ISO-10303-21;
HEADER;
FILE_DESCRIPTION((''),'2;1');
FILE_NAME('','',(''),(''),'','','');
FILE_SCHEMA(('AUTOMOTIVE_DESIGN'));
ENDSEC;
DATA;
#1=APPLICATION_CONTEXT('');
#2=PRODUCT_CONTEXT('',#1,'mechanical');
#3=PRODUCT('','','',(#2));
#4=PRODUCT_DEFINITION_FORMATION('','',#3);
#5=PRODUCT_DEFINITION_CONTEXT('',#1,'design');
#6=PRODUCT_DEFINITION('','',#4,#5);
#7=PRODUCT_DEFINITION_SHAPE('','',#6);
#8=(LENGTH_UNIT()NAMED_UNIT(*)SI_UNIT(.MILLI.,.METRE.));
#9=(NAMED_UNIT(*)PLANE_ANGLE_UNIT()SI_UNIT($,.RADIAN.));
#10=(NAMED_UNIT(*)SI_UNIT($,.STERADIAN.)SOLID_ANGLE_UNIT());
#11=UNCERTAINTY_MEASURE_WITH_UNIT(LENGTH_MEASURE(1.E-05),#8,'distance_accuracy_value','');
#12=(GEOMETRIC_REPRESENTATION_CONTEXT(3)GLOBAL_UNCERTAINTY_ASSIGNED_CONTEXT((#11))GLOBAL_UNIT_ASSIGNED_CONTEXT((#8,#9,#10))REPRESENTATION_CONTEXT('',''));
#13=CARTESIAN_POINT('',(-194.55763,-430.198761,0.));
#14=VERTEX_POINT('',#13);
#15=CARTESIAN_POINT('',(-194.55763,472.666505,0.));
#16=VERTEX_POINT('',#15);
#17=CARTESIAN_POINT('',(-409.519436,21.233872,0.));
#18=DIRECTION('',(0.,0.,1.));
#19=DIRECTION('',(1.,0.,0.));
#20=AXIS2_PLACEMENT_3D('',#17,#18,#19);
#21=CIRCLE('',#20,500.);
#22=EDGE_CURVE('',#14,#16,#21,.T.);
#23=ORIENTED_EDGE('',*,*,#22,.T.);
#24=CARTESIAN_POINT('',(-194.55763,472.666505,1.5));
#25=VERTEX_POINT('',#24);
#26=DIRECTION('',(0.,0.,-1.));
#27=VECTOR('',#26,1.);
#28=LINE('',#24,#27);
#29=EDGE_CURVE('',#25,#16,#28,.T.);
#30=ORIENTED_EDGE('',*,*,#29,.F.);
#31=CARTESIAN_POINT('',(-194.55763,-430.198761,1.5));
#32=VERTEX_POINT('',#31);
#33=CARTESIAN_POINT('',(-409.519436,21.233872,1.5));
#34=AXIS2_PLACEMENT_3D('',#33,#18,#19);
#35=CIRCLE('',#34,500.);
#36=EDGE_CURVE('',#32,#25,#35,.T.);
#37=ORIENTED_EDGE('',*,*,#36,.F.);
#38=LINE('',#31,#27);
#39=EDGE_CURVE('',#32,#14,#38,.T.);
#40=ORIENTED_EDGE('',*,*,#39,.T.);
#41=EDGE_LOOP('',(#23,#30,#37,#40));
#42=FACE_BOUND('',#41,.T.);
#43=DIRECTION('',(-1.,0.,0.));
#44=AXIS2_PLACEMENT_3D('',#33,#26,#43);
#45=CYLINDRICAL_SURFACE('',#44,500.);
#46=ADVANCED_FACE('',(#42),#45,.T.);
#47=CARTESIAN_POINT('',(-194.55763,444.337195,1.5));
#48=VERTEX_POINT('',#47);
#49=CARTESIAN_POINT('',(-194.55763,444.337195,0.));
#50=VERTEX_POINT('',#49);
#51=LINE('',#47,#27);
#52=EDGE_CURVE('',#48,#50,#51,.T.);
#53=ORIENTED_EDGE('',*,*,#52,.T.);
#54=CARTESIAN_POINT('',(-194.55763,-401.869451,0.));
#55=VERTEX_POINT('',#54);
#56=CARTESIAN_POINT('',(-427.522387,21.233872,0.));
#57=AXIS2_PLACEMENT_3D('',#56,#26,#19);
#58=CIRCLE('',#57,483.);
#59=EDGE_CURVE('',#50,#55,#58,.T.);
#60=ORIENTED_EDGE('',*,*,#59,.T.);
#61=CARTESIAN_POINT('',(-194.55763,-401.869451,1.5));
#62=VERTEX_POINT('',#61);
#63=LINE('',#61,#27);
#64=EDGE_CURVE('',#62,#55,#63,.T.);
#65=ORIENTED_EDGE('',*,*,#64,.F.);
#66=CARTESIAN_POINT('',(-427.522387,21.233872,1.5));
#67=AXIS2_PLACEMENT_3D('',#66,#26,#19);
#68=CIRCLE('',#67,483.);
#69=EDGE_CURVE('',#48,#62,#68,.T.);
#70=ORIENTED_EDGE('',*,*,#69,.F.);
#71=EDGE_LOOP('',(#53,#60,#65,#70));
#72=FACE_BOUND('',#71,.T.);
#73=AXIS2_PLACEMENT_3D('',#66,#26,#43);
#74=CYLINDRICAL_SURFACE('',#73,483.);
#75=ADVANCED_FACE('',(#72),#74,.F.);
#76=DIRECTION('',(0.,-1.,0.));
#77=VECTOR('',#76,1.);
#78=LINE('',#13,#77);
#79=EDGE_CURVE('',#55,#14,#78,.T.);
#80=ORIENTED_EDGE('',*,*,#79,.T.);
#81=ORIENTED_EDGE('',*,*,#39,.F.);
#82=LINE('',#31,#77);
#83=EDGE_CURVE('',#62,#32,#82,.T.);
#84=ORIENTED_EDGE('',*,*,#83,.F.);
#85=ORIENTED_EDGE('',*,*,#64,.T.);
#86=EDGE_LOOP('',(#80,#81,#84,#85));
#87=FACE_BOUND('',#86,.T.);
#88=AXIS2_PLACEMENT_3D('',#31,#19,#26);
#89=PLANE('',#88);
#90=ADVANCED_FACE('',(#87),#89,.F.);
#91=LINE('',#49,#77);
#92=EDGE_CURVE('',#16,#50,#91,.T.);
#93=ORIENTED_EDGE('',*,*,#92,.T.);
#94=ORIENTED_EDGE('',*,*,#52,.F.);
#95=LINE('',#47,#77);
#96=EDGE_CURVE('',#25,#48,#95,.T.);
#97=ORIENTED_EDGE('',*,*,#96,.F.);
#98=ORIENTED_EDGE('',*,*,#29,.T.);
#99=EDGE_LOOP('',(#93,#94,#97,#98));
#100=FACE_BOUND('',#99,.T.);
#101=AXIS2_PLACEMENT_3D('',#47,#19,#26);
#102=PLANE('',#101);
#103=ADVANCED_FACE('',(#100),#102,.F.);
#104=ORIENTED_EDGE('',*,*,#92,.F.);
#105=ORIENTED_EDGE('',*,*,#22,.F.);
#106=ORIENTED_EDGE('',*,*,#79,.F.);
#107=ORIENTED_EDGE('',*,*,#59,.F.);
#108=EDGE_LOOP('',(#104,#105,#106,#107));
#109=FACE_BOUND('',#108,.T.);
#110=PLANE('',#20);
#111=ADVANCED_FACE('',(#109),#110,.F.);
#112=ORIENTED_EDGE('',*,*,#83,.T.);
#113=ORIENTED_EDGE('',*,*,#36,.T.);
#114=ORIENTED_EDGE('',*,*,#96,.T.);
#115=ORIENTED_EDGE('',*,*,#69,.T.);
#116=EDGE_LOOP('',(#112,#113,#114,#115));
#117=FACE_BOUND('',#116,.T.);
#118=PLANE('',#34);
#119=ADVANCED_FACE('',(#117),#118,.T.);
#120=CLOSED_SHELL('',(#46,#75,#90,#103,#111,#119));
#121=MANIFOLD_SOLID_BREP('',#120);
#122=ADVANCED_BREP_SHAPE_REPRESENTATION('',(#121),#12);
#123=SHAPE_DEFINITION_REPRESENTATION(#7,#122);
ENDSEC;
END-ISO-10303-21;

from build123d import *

# Parameters (mm, degrees)
BOSS_EXTRUDE1_DEPTH = 1.5


with BuildPart() as part:
    # Sketch1 → Boss-Extrude1 (new body)
    with BuildSketch(Plane.XY):
        with BuildLine():
            Line((-194.557629783, -430.198761172), (-194.557629783, -401.869451404))
            ThreePointArc((-194.557629783, -401.869451404), (55.477613253, 21.23387169), (-194.557629783, 444.337194783))
            Line((-194.557629783, 444.337194783), (-194.557629783, 472.666504552))
            ThreePointArc((-194.557629783, 472.666504552), (90.480564337, 21.23387169), (-194.557629783, -430.198761172))
        make_face()
    extrude(amount=BOSS_EXTRUDE1_DEPTH)


solid = part.part
